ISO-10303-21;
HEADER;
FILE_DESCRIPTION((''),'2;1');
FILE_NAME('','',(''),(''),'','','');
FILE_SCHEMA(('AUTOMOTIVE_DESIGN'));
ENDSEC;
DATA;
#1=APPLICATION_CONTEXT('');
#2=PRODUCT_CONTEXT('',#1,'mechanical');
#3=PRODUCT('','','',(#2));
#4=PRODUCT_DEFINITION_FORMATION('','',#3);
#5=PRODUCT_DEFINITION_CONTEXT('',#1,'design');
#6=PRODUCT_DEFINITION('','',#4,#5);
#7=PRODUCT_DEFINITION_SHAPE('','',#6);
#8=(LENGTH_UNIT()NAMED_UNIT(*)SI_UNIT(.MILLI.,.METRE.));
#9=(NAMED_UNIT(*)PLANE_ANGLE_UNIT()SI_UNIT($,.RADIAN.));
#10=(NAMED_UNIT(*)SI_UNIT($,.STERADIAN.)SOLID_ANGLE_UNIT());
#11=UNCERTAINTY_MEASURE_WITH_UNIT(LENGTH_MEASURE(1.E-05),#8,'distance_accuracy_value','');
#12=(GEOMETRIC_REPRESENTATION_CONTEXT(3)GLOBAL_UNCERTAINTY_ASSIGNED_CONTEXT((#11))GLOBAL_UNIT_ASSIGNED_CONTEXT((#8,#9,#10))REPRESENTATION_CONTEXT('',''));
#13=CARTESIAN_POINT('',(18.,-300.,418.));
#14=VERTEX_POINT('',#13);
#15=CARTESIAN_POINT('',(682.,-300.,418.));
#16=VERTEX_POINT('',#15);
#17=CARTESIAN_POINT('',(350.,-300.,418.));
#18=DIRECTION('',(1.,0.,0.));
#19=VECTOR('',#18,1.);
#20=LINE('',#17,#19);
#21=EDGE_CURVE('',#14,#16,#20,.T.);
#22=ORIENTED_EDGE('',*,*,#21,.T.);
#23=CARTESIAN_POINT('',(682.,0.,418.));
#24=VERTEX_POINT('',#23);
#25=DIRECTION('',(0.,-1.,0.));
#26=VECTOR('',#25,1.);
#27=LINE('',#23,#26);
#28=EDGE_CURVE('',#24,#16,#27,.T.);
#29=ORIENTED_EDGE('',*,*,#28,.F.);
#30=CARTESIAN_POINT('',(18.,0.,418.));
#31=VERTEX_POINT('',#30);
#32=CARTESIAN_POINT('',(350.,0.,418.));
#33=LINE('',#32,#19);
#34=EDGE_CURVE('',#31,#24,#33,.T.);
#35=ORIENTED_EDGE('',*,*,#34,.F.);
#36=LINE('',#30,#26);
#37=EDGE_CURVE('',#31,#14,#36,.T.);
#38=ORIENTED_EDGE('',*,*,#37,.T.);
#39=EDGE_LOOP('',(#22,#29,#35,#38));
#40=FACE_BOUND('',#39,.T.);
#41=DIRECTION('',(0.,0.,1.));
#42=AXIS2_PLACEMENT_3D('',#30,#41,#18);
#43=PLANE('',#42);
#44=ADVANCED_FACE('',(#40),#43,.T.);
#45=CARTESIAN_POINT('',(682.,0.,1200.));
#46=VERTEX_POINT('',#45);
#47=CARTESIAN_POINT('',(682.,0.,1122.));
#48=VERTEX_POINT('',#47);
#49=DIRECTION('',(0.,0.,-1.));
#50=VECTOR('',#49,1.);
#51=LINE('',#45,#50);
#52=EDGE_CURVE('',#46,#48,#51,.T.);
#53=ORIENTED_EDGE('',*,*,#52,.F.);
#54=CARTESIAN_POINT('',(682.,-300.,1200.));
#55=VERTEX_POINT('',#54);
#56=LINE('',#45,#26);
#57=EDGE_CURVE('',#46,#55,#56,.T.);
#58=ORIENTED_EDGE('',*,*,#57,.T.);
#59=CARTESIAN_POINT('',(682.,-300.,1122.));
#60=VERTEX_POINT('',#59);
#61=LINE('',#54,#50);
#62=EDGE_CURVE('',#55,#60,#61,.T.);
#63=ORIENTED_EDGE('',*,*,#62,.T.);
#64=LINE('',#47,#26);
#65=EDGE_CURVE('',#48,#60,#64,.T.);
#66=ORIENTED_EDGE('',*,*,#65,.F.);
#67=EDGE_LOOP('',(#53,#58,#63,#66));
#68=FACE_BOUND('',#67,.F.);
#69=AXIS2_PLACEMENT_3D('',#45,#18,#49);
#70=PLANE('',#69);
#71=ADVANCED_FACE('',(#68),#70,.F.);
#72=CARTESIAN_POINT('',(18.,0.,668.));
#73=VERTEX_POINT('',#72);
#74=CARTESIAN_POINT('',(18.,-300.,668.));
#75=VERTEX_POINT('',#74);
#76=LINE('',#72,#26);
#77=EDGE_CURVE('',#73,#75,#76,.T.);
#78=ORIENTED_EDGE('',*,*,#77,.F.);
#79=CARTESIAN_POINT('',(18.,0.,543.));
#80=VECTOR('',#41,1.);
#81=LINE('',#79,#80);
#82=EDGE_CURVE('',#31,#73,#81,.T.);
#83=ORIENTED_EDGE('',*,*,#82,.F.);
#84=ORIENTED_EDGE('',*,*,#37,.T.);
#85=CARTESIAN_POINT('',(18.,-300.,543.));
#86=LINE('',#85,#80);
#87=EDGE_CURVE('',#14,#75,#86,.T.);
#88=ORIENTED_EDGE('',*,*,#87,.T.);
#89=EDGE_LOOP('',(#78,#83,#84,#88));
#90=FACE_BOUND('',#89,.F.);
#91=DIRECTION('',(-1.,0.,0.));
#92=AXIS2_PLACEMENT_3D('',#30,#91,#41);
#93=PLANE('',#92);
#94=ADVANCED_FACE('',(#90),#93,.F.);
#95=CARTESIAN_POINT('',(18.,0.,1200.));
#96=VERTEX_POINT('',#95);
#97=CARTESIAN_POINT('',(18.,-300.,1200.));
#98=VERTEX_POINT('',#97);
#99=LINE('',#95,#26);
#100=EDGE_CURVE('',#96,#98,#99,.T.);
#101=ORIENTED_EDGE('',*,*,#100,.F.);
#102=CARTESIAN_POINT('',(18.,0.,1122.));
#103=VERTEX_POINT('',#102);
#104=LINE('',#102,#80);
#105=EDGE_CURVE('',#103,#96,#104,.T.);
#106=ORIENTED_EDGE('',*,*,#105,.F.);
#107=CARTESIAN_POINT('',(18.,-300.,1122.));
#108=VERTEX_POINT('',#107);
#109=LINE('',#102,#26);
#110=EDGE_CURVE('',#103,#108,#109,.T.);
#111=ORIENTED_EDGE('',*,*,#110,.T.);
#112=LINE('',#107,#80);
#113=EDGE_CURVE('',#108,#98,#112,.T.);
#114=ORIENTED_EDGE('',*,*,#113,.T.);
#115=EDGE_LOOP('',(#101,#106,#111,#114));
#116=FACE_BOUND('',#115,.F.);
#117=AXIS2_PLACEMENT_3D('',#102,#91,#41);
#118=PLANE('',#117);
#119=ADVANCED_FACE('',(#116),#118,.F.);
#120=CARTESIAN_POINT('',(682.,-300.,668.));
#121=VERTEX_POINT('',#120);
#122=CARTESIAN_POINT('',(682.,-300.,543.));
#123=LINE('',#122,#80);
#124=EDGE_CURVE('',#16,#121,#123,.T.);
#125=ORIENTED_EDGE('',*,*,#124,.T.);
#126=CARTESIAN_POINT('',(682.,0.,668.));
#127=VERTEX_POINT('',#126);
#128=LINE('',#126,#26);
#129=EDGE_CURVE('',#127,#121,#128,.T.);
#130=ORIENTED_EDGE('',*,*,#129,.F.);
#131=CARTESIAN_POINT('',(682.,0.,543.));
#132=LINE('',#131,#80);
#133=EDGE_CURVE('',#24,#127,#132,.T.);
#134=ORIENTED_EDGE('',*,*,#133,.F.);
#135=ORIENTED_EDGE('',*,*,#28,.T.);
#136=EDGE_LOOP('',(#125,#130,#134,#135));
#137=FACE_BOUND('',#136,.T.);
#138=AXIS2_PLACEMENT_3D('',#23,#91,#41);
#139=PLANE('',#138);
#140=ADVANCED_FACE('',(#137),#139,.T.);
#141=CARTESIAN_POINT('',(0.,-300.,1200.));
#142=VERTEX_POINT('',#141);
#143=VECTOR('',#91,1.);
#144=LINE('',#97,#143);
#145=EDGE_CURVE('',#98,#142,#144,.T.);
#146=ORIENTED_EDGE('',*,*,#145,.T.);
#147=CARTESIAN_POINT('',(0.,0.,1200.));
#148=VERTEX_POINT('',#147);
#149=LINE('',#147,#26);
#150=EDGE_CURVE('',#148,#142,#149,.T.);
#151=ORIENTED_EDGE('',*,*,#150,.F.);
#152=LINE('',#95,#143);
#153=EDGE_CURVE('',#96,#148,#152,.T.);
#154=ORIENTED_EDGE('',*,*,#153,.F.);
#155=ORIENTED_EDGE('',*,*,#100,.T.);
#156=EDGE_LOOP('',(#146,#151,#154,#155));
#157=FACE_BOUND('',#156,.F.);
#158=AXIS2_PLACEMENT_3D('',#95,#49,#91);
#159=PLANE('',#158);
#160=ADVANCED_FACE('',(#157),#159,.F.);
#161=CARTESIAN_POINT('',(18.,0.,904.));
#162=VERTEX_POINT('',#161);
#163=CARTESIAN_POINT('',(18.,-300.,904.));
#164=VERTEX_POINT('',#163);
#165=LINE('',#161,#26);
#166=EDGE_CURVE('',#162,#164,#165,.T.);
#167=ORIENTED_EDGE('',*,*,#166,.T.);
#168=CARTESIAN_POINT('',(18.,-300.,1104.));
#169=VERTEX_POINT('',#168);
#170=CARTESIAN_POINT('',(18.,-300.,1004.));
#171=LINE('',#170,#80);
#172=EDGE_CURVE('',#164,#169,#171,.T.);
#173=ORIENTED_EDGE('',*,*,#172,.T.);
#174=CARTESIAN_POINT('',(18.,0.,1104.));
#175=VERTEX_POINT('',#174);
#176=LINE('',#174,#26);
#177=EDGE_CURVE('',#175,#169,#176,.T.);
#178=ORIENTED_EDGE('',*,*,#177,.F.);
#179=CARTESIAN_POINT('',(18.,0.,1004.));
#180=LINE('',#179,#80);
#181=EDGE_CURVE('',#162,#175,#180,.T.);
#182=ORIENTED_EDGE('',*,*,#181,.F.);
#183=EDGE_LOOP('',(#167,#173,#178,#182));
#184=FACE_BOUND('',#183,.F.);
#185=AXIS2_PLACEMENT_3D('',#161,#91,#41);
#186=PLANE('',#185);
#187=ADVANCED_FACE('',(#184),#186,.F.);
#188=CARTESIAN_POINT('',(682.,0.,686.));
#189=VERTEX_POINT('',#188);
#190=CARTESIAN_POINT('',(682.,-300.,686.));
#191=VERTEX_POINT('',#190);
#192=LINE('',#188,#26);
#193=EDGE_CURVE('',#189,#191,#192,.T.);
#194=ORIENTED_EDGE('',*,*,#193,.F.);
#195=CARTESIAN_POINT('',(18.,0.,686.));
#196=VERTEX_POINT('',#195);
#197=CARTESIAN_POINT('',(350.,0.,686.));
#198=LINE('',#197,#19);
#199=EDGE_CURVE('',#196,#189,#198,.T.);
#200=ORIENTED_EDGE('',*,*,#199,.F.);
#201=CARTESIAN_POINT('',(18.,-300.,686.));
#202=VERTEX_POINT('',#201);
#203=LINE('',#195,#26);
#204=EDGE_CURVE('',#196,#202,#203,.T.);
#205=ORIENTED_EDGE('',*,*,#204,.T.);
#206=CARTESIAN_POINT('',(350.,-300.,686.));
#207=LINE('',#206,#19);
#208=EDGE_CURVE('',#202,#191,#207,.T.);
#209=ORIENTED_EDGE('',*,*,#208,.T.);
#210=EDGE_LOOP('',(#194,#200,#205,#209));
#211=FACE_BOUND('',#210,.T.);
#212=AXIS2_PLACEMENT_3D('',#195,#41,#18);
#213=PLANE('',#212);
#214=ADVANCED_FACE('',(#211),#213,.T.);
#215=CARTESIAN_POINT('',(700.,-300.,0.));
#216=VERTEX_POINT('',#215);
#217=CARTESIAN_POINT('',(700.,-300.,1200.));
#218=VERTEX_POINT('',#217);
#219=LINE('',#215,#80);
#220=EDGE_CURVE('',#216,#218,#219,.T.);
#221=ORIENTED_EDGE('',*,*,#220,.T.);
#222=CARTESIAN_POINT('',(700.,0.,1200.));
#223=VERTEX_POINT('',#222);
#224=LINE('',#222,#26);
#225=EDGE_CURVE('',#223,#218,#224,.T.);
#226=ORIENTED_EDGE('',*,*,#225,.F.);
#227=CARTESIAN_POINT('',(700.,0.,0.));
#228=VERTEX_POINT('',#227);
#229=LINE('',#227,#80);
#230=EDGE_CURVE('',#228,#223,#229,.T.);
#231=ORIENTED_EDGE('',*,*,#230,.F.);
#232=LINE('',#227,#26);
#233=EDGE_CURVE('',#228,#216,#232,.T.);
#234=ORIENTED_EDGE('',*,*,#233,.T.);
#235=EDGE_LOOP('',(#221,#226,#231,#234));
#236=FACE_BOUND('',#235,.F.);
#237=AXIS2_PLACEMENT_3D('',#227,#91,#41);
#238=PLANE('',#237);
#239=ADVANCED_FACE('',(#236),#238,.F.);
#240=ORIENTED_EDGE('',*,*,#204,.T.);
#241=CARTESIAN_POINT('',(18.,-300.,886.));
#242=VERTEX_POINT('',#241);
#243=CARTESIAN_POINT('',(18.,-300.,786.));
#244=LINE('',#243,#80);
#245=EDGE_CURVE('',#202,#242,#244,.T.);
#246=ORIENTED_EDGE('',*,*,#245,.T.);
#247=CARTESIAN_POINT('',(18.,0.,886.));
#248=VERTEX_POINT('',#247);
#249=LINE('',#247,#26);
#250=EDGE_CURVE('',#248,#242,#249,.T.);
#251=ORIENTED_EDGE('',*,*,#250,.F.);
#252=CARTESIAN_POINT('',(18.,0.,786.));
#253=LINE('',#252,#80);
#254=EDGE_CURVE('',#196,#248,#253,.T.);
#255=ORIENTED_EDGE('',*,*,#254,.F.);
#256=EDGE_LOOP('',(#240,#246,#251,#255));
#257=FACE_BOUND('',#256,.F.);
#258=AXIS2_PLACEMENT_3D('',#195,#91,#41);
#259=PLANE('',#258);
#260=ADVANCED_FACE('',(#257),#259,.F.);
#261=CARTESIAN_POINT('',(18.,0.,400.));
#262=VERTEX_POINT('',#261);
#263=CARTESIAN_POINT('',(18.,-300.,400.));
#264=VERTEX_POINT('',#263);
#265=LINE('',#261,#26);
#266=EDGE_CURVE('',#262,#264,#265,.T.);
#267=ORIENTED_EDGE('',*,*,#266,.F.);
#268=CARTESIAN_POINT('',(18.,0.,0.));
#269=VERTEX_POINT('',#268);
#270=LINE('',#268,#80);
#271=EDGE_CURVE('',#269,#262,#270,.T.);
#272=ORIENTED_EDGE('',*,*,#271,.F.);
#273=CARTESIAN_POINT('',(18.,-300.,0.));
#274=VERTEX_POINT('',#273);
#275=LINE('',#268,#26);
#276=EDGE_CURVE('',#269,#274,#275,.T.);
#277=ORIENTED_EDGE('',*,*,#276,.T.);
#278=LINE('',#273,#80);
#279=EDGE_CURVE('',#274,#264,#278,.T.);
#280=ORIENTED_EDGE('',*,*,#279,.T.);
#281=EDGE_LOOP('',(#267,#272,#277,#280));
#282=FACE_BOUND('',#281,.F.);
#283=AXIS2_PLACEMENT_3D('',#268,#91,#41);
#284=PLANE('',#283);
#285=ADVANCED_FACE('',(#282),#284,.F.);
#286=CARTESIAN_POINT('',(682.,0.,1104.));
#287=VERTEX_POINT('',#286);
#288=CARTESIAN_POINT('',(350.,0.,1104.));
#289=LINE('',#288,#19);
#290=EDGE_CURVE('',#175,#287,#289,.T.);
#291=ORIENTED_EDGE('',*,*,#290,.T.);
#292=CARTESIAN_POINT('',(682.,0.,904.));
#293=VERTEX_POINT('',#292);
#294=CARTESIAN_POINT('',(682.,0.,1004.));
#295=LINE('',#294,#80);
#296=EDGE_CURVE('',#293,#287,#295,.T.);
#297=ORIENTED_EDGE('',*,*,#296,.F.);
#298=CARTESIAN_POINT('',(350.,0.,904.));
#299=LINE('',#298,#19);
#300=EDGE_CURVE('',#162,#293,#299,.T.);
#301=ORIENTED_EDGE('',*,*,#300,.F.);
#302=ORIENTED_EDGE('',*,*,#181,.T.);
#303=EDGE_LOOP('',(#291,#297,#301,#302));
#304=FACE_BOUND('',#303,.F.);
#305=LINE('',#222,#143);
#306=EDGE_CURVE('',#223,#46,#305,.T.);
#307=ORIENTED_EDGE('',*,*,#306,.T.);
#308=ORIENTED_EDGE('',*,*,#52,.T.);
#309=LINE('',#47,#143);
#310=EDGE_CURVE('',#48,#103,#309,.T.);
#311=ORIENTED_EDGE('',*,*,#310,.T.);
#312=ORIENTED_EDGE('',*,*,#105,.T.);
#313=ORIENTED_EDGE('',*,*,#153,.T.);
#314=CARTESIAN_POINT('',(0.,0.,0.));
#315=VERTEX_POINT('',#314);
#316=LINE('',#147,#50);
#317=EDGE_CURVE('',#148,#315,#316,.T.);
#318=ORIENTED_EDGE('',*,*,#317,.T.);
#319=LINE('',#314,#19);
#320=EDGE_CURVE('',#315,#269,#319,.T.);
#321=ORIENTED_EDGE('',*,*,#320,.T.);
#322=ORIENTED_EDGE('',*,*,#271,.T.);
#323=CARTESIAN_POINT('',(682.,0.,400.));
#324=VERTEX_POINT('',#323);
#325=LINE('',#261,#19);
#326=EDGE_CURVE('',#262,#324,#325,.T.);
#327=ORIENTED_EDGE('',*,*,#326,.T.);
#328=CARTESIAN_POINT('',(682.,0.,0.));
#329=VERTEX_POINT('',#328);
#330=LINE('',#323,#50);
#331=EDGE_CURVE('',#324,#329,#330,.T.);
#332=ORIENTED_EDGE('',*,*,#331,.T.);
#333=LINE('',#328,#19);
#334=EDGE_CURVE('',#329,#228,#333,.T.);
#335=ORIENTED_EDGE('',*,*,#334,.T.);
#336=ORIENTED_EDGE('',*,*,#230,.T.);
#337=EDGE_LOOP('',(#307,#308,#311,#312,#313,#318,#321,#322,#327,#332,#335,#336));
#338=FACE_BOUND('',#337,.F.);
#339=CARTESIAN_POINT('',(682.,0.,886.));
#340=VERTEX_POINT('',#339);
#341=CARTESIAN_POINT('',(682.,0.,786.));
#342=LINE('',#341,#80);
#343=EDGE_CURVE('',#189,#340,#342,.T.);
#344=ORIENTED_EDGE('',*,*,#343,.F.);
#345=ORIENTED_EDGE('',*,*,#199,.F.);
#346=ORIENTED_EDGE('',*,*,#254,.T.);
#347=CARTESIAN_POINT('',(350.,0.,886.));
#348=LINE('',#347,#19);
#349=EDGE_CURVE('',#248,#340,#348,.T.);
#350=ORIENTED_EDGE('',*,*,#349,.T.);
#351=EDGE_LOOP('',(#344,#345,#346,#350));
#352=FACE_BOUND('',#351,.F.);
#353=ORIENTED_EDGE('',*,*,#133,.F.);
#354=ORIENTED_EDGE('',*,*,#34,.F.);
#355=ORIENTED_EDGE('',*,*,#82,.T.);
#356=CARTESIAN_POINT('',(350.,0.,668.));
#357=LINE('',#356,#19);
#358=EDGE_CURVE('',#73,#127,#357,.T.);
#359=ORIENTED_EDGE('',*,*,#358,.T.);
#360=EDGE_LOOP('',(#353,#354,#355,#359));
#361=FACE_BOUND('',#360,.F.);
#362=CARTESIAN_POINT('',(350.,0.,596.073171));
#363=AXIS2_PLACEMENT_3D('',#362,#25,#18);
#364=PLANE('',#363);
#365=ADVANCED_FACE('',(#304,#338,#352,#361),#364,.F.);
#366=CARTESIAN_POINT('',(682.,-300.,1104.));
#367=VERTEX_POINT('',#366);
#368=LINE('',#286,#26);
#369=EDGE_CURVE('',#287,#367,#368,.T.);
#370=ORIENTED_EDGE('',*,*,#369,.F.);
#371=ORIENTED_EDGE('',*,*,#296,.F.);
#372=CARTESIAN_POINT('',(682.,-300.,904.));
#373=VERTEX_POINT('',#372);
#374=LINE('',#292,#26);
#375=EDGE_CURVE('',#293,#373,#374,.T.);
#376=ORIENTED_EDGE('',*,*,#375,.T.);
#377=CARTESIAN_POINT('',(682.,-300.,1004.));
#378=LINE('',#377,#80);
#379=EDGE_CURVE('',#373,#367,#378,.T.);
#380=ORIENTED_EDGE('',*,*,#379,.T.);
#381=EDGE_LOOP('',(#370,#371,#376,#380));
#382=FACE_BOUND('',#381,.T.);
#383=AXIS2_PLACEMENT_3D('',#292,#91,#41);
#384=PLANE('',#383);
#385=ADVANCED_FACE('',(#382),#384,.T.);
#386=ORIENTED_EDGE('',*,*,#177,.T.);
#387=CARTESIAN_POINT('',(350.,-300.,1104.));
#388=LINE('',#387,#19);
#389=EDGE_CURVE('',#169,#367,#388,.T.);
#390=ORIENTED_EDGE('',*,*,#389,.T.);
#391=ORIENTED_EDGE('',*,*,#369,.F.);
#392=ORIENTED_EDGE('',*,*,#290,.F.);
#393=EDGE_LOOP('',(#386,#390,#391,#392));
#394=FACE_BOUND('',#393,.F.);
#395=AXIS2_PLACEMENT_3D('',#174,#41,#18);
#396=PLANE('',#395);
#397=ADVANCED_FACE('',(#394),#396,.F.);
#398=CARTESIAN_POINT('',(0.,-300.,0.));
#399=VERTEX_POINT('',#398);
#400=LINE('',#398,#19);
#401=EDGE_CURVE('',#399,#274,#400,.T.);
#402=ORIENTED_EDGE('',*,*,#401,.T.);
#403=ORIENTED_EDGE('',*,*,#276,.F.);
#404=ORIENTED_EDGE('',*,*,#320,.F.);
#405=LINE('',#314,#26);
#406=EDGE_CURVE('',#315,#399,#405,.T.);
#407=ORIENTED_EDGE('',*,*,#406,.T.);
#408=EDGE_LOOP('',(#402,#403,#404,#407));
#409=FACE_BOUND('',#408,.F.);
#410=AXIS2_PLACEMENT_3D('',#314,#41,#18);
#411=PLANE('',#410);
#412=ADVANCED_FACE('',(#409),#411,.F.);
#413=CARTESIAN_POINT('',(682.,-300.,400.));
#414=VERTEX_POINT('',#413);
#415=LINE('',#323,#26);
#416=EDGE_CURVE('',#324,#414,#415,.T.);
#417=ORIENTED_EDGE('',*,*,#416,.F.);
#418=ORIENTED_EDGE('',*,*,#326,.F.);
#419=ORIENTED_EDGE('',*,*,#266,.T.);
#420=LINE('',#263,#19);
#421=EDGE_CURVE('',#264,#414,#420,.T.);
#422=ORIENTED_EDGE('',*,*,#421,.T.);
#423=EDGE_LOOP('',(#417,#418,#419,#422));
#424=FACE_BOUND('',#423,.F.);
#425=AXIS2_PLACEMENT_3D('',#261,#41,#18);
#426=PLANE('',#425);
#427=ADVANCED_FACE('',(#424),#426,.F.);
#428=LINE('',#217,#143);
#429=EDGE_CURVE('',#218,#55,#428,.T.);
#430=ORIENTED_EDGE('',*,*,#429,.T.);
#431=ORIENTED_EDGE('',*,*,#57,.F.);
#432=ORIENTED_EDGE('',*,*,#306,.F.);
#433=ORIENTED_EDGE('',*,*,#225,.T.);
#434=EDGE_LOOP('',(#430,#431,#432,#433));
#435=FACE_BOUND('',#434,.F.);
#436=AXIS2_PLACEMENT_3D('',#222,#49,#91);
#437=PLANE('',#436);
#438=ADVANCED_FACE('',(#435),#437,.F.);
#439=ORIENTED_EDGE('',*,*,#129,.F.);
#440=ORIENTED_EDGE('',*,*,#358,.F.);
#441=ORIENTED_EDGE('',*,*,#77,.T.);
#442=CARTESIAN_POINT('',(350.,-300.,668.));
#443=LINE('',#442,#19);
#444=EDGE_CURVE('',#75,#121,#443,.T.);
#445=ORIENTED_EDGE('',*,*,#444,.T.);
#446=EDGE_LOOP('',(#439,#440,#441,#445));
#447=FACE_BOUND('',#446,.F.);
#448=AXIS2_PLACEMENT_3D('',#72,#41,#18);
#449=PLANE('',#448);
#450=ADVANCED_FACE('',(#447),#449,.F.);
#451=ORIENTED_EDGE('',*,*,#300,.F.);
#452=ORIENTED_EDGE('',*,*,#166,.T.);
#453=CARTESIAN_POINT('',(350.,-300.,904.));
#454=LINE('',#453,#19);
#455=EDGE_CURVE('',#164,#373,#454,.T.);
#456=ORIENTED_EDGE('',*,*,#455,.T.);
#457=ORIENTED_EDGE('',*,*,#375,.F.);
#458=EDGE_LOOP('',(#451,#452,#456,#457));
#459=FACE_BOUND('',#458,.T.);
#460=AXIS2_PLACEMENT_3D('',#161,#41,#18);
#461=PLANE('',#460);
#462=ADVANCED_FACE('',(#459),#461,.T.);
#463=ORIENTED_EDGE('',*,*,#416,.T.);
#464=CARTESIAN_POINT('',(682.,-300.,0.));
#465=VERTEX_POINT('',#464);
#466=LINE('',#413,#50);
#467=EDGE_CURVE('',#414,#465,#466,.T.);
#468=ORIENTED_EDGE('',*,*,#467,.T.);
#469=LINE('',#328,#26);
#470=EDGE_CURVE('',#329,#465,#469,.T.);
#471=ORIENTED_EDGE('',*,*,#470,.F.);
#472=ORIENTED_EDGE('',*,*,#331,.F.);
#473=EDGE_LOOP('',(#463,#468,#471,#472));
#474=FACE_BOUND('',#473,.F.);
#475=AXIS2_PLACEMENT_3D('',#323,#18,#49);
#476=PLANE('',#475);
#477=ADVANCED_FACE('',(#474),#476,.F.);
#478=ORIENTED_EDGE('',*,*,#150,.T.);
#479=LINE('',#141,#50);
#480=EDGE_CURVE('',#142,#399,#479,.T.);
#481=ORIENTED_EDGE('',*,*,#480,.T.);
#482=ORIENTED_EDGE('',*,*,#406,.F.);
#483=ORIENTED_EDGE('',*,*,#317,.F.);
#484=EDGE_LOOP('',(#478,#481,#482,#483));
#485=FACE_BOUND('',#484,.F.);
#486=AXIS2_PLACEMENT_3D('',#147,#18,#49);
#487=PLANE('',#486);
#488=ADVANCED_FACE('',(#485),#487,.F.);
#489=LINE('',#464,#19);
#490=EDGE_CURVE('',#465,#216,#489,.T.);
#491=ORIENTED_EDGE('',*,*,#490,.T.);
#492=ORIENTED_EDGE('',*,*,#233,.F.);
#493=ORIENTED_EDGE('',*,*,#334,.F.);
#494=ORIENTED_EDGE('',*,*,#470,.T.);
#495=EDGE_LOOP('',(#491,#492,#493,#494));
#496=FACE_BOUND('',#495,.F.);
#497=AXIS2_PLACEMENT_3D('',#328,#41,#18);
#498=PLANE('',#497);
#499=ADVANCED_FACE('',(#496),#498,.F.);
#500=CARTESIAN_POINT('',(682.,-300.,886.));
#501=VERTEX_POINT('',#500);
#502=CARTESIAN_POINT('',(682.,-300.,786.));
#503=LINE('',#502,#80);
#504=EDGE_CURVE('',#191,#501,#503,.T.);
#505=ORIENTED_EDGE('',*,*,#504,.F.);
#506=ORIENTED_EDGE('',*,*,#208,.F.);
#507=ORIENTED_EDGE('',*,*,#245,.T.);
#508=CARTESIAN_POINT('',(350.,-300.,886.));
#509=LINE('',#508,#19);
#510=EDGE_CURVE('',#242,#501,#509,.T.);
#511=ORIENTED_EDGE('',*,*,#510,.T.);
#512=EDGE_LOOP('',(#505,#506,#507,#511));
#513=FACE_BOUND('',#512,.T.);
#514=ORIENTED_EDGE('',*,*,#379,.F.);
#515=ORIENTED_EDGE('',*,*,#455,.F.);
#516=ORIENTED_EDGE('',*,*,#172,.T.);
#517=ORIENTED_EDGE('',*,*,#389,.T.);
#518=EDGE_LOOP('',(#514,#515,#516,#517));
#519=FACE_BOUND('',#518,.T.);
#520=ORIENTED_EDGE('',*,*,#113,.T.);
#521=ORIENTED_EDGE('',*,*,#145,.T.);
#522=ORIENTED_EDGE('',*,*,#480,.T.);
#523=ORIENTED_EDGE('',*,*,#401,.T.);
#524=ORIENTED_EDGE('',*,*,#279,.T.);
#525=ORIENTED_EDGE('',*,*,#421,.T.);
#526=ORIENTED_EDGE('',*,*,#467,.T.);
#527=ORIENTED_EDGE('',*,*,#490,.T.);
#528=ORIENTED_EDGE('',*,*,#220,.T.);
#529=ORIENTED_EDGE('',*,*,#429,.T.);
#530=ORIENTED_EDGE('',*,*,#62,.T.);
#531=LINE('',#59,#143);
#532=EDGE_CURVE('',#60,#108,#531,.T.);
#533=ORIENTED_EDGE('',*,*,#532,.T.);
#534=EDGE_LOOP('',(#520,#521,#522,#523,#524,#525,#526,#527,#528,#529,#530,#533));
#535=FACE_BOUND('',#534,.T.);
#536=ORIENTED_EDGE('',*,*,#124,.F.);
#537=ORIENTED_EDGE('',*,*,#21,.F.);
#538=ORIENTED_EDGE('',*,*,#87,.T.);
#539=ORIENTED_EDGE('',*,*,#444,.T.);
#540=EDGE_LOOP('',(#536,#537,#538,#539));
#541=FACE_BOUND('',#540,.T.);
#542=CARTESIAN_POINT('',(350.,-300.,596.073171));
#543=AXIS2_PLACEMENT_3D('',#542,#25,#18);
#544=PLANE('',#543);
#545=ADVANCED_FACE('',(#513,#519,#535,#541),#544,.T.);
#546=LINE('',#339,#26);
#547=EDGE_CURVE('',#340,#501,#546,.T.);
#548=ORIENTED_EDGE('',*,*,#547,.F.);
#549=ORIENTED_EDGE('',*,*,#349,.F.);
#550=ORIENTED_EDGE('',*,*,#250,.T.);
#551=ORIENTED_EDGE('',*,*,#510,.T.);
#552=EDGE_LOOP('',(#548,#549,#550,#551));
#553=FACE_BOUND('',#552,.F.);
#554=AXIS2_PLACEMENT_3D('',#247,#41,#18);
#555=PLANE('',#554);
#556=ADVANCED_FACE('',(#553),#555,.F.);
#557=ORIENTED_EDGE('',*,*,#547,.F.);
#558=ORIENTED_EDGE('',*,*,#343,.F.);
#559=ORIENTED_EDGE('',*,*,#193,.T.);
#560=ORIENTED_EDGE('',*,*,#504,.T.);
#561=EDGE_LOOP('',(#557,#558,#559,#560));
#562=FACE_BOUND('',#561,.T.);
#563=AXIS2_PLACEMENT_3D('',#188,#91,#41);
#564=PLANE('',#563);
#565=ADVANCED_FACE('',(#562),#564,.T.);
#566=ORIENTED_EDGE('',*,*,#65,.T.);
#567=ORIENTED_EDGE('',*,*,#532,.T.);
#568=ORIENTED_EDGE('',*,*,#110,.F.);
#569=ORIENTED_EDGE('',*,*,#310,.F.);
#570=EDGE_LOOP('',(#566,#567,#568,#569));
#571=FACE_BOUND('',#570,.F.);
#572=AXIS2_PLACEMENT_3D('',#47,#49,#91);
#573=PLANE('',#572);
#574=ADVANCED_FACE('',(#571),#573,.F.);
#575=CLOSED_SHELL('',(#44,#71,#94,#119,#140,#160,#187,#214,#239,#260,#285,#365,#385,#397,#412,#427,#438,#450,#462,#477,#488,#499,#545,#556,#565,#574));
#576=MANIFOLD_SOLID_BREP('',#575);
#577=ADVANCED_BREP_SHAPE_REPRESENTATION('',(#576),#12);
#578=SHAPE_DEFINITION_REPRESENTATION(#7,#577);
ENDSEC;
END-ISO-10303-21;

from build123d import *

# Parameters (mm, degrees)
F0_W     = 664
F0_H     = 250
F0_H_2   = 200
F1_DEPTH = 300


with BuildPart() as f1:
    # F0 (on Front) → F1 (new body)
    with BuildSketch(Plane.XZ):
        Polygon((0, 1200), (0, 0), (18, 0), (18, 400), (682, 400), (682, 0), (700, 0), (700, 1200), (682, 1200), (682, 1182), (682, 1122), (18, 1122), (18, 1182), (18, 1200), align=None)
        with Locations((350, 543)):
            Rectangle(F0_W, F0_H, mode=Mode.SUBTRACT)
        with Locations((350, 786)):
            Rectangle(F0_W, F0_H_2, mode=Mode.SUBTRACT)
        with Locations((350, 1004)):
            Rectangle(F0_W, F0_H_2, mode=Mode.SUBTRACT)
    extrude(amount=F1_DEPTH)


solid = f1.part
